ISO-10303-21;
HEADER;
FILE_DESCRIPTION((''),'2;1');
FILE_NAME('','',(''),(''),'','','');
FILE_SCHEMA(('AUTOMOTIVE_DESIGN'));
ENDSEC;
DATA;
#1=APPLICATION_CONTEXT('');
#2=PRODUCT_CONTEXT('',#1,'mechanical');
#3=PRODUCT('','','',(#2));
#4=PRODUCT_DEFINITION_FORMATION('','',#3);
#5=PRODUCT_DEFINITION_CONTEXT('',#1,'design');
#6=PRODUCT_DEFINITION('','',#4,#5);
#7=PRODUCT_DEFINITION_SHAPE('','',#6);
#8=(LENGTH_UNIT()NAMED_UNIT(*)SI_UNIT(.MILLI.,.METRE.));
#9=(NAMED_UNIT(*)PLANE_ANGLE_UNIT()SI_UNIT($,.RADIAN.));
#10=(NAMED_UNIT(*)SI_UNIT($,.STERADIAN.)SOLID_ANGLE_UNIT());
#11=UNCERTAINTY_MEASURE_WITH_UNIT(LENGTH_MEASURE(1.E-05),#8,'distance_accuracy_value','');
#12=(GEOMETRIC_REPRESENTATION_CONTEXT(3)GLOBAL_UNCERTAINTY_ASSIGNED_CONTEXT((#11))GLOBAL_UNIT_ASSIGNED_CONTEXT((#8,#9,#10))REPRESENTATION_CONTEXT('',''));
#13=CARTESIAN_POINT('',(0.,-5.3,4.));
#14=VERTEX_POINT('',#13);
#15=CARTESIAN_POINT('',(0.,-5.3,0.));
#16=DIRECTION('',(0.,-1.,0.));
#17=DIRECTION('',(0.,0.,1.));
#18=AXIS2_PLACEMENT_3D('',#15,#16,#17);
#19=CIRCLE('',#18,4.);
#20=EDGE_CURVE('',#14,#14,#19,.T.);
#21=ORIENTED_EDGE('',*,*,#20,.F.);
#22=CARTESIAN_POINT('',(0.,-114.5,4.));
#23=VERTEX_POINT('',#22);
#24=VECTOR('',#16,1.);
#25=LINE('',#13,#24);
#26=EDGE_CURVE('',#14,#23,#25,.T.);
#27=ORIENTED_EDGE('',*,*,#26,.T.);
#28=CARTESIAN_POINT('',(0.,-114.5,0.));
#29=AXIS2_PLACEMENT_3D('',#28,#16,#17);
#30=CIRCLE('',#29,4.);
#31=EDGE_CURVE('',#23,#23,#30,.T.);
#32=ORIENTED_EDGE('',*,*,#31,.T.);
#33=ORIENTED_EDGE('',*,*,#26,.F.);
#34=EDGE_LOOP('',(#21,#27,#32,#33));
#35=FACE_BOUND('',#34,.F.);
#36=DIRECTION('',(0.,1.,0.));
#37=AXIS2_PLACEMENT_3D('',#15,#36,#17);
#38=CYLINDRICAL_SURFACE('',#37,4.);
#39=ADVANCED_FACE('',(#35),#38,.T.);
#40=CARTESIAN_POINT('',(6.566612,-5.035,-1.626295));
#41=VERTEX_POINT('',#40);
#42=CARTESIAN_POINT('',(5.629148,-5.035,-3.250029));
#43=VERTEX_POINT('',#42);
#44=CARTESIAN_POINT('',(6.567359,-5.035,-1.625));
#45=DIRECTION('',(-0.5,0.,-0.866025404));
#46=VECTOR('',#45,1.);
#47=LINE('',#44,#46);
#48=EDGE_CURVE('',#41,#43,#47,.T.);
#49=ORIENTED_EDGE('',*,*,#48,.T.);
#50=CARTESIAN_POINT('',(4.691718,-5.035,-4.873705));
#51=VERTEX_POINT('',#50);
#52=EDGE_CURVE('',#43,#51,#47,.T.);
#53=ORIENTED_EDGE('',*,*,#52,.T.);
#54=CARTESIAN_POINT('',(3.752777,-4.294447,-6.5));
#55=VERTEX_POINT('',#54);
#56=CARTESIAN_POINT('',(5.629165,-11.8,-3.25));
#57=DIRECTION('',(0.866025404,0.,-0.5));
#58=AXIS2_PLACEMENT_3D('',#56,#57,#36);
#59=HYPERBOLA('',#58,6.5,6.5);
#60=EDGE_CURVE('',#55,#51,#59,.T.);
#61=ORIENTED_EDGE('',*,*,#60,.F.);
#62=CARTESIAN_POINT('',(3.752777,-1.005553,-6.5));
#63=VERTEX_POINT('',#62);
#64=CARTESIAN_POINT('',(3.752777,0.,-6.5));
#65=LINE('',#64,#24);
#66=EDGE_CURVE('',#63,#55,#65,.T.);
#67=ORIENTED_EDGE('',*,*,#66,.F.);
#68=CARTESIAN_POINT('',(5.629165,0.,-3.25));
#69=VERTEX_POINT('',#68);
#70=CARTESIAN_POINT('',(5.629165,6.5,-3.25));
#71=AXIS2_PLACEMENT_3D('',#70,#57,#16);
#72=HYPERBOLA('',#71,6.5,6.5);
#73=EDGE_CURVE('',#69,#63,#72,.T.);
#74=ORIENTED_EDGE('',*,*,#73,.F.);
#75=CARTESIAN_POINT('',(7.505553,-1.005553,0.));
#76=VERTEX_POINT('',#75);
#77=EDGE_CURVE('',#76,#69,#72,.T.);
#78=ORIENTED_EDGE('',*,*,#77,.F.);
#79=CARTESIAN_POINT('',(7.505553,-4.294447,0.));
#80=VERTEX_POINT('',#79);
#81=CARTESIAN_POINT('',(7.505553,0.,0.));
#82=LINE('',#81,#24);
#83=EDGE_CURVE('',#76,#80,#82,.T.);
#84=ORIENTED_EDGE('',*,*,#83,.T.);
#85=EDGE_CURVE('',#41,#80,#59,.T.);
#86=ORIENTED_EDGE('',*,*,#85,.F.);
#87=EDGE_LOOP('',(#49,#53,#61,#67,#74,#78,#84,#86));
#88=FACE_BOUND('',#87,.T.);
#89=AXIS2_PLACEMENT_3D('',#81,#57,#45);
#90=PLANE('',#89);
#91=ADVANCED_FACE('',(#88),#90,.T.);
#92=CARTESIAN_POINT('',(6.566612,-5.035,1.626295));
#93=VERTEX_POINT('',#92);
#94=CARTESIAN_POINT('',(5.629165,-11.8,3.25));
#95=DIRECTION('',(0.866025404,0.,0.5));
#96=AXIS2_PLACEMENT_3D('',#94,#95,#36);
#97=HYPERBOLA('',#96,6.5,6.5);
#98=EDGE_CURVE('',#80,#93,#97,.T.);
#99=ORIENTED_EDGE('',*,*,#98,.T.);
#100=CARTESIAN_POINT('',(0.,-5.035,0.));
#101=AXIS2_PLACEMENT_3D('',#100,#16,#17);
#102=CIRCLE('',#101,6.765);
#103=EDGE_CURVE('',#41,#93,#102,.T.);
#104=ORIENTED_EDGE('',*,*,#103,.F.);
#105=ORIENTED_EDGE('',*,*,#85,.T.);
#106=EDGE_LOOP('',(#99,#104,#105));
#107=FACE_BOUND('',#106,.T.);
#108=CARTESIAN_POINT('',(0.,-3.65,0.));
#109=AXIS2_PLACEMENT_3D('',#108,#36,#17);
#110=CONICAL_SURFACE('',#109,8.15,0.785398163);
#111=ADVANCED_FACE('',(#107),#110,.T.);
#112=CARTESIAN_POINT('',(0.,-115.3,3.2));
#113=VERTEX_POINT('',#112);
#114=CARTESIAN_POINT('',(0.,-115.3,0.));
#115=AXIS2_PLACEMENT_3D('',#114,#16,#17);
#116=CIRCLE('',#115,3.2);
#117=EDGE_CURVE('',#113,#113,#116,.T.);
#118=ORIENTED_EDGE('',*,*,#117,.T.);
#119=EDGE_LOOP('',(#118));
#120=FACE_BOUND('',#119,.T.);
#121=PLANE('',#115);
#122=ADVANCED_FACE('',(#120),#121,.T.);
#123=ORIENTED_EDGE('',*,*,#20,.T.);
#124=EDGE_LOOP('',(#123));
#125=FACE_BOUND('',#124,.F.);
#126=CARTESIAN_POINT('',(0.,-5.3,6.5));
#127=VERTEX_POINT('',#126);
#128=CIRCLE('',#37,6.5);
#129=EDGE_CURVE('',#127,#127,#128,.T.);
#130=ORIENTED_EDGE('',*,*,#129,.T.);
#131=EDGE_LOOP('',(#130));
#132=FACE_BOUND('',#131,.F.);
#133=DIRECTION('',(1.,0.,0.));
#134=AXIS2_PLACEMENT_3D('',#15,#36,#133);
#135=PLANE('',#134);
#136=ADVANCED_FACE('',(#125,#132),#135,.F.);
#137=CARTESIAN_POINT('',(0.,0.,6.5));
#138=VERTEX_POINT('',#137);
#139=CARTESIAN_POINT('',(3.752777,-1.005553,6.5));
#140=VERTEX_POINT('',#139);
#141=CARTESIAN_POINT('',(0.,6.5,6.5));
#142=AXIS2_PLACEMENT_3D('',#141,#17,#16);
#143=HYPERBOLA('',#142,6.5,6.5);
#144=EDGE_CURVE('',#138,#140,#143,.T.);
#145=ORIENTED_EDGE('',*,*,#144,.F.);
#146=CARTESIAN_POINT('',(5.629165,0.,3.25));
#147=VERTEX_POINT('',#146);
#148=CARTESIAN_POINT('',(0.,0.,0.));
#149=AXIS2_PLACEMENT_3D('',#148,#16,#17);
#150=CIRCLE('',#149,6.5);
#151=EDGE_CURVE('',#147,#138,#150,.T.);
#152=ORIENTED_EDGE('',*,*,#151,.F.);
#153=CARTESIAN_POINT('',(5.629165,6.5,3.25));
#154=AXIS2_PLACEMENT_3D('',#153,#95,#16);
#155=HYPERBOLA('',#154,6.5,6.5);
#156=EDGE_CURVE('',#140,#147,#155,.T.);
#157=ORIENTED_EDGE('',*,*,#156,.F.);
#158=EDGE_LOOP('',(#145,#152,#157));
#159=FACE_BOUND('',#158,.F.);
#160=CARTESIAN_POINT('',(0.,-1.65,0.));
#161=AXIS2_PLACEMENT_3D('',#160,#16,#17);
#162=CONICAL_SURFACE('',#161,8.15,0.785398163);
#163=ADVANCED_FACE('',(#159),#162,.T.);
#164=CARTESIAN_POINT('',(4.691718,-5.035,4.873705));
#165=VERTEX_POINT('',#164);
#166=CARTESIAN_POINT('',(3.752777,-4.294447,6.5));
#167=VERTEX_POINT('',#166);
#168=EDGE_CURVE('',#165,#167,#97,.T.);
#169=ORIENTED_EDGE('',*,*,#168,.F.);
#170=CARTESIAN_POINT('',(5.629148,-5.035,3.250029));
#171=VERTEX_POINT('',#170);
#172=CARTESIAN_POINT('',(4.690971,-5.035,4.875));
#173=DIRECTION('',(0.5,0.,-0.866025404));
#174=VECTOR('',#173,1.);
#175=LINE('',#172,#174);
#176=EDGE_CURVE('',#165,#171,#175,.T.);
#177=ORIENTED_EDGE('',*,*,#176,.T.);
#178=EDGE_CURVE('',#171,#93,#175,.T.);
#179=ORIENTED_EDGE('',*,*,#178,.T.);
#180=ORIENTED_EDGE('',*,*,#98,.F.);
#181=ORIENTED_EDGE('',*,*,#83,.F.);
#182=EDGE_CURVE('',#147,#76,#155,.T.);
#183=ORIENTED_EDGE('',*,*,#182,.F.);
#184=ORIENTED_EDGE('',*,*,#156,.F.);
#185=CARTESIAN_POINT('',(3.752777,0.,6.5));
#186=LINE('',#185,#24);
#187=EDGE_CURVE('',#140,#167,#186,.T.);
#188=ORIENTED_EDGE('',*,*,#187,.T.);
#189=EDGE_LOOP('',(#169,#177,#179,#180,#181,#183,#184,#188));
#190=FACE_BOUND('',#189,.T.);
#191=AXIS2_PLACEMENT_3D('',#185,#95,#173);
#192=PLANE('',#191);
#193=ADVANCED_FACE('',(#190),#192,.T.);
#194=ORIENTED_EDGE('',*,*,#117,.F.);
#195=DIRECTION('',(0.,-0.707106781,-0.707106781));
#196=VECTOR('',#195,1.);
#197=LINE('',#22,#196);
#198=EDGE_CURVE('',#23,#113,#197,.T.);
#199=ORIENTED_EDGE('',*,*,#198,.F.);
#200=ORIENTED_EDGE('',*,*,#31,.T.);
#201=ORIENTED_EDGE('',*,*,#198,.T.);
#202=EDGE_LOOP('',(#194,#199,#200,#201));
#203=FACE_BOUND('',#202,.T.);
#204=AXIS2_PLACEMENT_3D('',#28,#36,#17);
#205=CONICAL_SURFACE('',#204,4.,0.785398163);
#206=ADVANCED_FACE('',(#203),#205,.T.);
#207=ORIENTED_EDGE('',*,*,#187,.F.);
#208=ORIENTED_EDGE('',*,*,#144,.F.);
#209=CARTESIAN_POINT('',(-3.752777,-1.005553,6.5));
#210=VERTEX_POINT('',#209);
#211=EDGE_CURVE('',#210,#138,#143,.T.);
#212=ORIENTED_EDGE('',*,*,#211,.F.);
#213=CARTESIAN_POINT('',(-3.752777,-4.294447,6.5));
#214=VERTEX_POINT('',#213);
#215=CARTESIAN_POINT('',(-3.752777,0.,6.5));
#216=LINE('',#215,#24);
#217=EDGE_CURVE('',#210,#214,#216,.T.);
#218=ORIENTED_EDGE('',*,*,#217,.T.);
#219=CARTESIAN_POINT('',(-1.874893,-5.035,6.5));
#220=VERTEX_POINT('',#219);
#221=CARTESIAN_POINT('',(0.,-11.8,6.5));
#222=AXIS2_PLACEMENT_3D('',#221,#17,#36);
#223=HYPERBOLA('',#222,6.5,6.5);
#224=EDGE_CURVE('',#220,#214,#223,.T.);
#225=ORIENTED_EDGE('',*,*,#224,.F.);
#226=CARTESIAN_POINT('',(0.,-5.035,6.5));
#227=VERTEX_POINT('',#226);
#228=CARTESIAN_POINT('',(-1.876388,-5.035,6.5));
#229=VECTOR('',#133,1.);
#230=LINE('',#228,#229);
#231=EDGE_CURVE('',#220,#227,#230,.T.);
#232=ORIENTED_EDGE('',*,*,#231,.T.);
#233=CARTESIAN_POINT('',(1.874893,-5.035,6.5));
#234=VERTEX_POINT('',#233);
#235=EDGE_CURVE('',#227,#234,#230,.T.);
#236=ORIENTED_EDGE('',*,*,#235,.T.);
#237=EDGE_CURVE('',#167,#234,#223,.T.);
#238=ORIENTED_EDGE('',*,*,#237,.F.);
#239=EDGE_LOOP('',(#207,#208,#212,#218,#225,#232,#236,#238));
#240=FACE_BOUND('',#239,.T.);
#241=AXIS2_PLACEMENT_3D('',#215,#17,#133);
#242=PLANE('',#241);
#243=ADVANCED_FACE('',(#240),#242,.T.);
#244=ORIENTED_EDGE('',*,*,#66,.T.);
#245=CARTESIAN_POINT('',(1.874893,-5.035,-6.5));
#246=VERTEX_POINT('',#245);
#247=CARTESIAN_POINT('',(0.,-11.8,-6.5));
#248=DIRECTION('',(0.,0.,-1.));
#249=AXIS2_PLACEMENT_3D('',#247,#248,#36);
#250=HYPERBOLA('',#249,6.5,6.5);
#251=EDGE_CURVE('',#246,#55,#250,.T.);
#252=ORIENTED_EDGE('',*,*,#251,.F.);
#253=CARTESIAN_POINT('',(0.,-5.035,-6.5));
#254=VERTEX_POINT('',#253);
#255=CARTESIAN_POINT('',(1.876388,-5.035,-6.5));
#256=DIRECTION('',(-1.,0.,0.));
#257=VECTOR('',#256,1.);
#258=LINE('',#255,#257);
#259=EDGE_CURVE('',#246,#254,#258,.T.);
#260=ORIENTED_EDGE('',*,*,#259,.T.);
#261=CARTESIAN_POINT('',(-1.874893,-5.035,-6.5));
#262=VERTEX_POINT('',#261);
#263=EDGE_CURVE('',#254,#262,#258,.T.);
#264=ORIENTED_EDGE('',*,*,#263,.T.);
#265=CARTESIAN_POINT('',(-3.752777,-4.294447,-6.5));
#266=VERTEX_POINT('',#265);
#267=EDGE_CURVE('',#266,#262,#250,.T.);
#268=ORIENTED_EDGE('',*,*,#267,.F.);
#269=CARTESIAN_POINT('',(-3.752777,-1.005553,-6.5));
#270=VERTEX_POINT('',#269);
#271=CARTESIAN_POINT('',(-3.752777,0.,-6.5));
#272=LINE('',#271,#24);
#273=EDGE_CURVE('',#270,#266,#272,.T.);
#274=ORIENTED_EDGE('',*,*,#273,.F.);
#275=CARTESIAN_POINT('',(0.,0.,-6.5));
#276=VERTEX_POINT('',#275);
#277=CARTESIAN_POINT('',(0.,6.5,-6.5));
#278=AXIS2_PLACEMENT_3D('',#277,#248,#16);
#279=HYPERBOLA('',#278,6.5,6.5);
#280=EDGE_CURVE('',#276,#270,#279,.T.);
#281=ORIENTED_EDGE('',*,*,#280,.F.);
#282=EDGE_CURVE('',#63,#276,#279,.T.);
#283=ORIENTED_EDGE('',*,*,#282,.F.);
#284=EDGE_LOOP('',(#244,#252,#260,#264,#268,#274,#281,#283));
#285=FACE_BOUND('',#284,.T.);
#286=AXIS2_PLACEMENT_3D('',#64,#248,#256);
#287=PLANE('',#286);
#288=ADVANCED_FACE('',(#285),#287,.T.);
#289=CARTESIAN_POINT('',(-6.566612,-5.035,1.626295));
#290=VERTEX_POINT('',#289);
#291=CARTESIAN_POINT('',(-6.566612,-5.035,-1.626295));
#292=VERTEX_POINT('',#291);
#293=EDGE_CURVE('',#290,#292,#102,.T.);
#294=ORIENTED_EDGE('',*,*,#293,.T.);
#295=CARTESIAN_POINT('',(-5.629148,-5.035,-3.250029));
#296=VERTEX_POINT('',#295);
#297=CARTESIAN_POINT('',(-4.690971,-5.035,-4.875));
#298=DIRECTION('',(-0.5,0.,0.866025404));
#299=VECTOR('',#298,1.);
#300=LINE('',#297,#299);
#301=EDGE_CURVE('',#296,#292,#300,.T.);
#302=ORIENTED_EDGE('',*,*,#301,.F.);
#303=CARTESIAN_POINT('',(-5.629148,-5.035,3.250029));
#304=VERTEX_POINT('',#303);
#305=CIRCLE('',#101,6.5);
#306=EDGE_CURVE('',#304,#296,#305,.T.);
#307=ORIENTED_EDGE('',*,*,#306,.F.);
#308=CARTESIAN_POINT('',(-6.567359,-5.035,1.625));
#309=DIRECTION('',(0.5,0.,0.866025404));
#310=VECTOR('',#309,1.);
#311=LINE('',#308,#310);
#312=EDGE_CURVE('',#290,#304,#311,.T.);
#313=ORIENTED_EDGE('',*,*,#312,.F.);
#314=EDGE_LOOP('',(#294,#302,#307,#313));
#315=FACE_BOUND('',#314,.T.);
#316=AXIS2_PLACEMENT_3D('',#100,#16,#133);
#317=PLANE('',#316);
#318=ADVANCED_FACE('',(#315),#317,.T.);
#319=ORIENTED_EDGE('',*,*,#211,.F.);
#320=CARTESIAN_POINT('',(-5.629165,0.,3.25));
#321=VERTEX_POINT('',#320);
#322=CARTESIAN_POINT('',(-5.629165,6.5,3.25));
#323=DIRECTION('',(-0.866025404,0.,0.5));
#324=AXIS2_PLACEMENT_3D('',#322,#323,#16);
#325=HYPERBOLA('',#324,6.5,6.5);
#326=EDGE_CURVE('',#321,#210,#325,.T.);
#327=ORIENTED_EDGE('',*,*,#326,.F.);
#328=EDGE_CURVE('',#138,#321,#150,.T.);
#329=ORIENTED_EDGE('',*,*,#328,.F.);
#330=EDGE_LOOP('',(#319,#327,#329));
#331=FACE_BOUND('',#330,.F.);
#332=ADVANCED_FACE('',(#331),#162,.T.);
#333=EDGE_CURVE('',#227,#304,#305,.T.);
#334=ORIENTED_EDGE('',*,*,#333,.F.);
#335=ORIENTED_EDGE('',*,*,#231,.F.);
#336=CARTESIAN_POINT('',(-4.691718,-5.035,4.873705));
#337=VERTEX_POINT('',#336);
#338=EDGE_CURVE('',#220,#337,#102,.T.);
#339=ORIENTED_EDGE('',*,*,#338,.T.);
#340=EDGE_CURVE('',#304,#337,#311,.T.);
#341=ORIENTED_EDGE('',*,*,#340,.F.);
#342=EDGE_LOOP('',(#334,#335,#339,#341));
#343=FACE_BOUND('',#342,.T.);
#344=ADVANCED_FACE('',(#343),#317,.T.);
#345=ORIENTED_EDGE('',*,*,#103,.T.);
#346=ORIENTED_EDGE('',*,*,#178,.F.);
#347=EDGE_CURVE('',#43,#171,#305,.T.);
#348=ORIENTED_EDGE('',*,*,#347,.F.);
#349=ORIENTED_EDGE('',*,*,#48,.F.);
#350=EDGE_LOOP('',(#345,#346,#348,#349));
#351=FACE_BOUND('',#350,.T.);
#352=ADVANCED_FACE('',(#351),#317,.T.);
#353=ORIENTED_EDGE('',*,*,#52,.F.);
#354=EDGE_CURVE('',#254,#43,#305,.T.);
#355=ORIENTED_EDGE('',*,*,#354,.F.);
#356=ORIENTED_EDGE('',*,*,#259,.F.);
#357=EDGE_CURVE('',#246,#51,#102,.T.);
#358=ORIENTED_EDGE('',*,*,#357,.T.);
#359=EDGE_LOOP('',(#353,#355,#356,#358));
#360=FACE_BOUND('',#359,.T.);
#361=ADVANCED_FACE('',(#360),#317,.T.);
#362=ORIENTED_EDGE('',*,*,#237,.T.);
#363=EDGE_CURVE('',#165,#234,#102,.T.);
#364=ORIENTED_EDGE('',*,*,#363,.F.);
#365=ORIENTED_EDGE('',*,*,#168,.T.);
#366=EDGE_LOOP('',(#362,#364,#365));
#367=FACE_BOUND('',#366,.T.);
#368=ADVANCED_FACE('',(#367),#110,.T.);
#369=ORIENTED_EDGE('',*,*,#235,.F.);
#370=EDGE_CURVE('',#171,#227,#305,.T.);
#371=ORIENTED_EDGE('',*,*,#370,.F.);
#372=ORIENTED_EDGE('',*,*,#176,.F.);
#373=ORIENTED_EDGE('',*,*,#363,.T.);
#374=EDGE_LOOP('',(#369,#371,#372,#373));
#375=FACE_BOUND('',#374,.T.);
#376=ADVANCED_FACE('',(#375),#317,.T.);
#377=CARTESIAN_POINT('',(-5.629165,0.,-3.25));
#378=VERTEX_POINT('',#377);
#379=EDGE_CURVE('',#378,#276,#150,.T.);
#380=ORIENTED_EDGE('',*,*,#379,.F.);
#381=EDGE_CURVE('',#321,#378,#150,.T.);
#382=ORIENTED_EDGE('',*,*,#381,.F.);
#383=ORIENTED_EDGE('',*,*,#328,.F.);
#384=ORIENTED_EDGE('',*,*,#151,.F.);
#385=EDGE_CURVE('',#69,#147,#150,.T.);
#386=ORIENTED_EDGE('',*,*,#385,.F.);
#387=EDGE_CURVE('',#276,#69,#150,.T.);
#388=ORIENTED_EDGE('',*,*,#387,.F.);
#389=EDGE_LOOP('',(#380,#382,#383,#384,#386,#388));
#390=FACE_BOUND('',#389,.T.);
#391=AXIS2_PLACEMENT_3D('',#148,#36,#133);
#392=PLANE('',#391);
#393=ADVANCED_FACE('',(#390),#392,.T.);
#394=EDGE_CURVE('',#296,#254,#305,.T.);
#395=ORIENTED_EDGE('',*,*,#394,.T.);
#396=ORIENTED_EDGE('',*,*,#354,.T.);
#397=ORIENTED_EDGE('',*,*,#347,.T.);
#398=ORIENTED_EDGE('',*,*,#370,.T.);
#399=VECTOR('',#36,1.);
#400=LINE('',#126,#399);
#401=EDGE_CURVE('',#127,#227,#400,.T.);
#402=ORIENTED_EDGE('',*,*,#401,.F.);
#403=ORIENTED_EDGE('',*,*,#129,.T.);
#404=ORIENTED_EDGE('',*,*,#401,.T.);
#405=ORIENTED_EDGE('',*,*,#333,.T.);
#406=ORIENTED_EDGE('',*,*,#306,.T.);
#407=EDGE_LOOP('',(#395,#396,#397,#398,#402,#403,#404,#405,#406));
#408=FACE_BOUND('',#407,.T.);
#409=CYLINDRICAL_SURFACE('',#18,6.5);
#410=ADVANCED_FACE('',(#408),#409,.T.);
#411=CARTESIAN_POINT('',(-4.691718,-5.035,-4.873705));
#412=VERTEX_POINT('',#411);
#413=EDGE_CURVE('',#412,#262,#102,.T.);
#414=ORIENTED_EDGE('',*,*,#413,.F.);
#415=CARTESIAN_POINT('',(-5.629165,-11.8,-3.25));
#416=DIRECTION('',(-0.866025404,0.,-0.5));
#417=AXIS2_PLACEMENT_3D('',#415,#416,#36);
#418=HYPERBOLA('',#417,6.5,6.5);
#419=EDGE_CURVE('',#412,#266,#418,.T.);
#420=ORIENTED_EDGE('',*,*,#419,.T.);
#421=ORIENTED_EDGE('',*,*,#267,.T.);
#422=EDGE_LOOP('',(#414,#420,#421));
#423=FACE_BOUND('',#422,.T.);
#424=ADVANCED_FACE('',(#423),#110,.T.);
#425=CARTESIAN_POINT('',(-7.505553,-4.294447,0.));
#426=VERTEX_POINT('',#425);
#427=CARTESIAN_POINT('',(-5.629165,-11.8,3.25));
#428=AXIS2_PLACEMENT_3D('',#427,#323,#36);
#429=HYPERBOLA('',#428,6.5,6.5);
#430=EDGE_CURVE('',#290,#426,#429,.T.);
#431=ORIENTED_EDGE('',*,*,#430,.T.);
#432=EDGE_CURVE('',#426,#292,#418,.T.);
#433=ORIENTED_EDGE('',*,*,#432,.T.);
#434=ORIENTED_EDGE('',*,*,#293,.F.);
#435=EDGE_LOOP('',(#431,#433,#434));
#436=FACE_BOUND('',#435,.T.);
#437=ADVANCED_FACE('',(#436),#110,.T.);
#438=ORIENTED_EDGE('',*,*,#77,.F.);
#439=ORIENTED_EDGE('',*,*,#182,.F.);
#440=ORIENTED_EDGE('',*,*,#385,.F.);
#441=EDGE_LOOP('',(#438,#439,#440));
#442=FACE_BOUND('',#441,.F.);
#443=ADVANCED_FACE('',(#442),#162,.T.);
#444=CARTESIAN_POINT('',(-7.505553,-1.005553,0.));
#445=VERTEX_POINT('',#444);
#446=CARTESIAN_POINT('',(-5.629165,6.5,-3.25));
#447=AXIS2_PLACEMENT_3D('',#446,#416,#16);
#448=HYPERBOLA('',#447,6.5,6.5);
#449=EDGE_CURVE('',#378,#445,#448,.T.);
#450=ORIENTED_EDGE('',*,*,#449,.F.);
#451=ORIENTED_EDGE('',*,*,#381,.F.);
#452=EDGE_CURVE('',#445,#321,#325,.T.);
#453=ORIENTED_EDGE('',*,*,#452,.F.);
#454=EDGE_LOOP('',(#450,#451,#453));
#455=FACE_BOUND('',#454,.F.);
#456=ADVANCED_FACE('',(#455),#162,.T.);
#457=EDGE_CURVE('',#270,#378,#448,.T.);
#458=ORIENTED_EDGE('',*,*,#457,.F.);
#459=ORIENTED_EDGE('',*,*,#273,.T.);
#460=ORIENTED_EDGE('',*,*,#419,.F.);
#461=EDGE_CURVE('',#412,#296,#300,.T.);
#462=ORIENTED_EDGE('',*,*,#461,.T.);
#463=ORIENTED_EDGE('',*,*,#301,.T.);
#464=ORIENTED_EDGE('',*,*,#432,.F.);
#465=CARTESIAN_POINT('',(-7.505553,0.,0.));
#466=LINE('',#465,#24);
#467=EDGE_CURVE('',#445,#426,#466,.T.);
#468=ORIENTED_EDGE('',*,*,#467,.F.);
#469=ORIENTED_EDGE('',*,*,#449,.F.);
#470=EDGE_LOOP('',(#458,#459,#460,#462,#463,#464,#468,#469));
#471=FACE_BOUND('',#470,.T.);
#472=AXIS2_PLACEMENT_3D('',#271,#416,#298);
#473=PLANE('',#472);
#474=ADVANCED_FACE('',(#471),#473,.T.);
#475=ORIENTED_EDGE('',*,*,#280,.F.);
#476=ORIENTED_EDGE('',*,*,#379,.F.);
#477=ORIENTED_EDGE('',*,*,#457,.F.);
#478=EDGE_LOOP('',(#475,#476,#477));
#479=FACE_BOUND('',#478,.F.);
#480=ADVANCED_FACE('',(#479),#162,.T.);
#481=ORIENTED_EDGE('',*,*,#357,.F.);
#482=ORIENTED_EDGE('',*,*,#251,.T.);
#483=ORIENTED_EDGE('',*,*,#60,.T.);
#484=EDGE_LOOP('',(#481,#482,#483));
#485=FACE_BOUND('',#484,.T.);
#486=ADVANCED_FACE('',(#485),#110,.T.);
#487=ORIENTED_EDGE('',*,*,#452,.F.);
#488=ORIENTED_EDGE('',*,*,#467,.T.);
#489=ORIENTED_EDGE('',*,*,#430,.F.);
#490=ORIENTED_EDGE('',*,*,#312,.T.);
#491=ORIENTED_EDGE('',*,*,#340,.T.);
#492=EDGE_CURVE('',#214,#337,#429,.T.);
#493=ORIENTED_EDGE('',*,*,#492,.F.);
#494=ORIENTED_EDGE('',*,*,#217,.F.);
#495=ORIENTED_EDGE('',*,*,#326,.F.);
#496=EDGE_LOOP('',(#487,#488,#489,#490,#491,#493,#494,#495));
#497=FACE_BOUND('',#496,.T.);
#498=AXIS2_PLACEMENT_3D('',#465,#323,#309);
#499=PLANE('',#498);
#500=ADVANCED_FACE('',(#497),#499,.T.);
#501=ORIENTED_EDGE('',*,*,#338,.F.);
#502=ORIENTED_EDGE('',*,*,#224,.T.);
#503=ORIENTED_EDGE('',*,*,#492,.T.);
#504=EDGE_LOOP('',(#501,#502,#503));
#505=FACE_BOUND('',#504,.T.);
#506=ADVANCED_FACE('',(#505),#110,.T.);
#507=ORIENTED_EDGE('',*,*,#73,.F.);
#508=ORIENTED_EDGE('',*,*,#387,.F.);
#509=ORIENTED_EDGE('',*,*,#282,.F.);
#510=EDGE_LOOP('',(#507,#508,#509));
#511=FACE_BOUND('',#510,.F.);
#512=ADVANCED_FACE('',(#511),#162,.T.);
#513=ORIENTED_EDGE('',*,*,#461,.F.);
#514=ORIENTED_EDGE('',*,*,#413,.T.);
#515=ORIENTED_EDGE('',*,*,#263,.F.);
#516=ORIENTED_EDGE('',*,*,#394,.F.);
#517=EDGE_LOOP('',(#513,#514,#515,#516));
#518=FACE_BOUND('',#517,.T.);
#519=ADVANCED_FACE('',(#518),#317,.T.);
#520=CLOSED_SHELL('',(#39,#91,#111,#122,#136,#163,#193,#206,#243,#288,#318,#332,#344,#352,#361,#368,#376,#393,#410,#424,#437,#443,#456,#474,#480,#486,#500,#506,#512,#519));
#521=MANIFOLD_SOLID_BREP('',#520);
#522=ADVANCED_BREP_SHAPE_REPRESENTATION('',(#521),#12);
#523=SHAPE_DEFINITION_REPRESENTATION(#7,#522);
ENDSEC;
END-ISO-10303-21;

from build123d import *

# Parameters (mm, degrees)
BOSS_EXTRUDE1_DEPTH = 5.3
SKETCH2_OUTSIDE_W   = 21.122
SKETCH2_OUTSIDE_H   = 19.11
SKETCH2_OUTSIDE_R   = 6.5
CUT_EXTRUDE1_DEPTH  = 0.265
SKETCH3_R           = 4
BOSS_EXTRUDE2_DEPTH = 110
CHAMFER1_SIZE       = 0.8


with BuildPart() as part:
    # Sketch1 → Boss-Extrude1 (new body)
    with BuildSketch(Plane(origin=(0, 0, 0), x_dir=(1, 0, 0), z_dir=(0, 1, 0))):
        Polygon((7.505553499, 0), (3.75277675, 6.5), (-3.75277675, 6.5), (-7.505553499, 0), (-3.75277675, -6.5), (3.75277675, -6.5), align=None)
    extrude(amount=-BOSS_EXTRUDE1_DEPTH)

    # Sketch4 → Cut-Revolve1 (revolve, cut)
    with BuildSketch(Plane(origin=(0, 0, 0), x_dir=(0, 0, -1), z_dir=(1, 0, 0))):
        Polygon((-6.5, 0), (-8.15, 0), (-8.15, -1.65), align=None)
        Polygon((-8.15, -3.65), (-6.5, -5.3), (-8.15, -5.3), align=None)
    revolve(axis=Axis((0, 0, 0), (0, -1, 0)), mode=Mode.SUBTRACT)

    # Sketch2 outside → Cut-Extrude1 (cut)
    with BuildSketch(Plane.XZ.offset(5.3)):
        Rectangle(SKETCH2_OUTSIDE_W, SKETCH2_OUTSIDE_H)
        with Locations(Location((0, 0, 0), (0, 0, 90))):
            Circle(SKETCH2_OUTSIDE_R, mode=Mode.SUBTRACT)
    extrude(amount=-CUT_EXTRUDE1_DEPTH, mode=Mode.SUBTRACT)

    # Sketch3 → Boss-Extrude2 (add)
    with BuildSketch(Plane.XZ.offset(5.3)):
        with Locations(Location((0, 0, 0), (0, 0, 90))):
            Circle(SKETCH3_R)
    extrude(amount=BOSS_EXTRUDE2_DEPTH)

    # Chamfer1
    chamfer1_edges = [part.edges().sort_by_distance(p)[0] for p in [
        (0, -115.3, -4),
    ]]
    chamfer(chamfer1_edges, length=CHAMFER1_SIZE)


solid = part.part
